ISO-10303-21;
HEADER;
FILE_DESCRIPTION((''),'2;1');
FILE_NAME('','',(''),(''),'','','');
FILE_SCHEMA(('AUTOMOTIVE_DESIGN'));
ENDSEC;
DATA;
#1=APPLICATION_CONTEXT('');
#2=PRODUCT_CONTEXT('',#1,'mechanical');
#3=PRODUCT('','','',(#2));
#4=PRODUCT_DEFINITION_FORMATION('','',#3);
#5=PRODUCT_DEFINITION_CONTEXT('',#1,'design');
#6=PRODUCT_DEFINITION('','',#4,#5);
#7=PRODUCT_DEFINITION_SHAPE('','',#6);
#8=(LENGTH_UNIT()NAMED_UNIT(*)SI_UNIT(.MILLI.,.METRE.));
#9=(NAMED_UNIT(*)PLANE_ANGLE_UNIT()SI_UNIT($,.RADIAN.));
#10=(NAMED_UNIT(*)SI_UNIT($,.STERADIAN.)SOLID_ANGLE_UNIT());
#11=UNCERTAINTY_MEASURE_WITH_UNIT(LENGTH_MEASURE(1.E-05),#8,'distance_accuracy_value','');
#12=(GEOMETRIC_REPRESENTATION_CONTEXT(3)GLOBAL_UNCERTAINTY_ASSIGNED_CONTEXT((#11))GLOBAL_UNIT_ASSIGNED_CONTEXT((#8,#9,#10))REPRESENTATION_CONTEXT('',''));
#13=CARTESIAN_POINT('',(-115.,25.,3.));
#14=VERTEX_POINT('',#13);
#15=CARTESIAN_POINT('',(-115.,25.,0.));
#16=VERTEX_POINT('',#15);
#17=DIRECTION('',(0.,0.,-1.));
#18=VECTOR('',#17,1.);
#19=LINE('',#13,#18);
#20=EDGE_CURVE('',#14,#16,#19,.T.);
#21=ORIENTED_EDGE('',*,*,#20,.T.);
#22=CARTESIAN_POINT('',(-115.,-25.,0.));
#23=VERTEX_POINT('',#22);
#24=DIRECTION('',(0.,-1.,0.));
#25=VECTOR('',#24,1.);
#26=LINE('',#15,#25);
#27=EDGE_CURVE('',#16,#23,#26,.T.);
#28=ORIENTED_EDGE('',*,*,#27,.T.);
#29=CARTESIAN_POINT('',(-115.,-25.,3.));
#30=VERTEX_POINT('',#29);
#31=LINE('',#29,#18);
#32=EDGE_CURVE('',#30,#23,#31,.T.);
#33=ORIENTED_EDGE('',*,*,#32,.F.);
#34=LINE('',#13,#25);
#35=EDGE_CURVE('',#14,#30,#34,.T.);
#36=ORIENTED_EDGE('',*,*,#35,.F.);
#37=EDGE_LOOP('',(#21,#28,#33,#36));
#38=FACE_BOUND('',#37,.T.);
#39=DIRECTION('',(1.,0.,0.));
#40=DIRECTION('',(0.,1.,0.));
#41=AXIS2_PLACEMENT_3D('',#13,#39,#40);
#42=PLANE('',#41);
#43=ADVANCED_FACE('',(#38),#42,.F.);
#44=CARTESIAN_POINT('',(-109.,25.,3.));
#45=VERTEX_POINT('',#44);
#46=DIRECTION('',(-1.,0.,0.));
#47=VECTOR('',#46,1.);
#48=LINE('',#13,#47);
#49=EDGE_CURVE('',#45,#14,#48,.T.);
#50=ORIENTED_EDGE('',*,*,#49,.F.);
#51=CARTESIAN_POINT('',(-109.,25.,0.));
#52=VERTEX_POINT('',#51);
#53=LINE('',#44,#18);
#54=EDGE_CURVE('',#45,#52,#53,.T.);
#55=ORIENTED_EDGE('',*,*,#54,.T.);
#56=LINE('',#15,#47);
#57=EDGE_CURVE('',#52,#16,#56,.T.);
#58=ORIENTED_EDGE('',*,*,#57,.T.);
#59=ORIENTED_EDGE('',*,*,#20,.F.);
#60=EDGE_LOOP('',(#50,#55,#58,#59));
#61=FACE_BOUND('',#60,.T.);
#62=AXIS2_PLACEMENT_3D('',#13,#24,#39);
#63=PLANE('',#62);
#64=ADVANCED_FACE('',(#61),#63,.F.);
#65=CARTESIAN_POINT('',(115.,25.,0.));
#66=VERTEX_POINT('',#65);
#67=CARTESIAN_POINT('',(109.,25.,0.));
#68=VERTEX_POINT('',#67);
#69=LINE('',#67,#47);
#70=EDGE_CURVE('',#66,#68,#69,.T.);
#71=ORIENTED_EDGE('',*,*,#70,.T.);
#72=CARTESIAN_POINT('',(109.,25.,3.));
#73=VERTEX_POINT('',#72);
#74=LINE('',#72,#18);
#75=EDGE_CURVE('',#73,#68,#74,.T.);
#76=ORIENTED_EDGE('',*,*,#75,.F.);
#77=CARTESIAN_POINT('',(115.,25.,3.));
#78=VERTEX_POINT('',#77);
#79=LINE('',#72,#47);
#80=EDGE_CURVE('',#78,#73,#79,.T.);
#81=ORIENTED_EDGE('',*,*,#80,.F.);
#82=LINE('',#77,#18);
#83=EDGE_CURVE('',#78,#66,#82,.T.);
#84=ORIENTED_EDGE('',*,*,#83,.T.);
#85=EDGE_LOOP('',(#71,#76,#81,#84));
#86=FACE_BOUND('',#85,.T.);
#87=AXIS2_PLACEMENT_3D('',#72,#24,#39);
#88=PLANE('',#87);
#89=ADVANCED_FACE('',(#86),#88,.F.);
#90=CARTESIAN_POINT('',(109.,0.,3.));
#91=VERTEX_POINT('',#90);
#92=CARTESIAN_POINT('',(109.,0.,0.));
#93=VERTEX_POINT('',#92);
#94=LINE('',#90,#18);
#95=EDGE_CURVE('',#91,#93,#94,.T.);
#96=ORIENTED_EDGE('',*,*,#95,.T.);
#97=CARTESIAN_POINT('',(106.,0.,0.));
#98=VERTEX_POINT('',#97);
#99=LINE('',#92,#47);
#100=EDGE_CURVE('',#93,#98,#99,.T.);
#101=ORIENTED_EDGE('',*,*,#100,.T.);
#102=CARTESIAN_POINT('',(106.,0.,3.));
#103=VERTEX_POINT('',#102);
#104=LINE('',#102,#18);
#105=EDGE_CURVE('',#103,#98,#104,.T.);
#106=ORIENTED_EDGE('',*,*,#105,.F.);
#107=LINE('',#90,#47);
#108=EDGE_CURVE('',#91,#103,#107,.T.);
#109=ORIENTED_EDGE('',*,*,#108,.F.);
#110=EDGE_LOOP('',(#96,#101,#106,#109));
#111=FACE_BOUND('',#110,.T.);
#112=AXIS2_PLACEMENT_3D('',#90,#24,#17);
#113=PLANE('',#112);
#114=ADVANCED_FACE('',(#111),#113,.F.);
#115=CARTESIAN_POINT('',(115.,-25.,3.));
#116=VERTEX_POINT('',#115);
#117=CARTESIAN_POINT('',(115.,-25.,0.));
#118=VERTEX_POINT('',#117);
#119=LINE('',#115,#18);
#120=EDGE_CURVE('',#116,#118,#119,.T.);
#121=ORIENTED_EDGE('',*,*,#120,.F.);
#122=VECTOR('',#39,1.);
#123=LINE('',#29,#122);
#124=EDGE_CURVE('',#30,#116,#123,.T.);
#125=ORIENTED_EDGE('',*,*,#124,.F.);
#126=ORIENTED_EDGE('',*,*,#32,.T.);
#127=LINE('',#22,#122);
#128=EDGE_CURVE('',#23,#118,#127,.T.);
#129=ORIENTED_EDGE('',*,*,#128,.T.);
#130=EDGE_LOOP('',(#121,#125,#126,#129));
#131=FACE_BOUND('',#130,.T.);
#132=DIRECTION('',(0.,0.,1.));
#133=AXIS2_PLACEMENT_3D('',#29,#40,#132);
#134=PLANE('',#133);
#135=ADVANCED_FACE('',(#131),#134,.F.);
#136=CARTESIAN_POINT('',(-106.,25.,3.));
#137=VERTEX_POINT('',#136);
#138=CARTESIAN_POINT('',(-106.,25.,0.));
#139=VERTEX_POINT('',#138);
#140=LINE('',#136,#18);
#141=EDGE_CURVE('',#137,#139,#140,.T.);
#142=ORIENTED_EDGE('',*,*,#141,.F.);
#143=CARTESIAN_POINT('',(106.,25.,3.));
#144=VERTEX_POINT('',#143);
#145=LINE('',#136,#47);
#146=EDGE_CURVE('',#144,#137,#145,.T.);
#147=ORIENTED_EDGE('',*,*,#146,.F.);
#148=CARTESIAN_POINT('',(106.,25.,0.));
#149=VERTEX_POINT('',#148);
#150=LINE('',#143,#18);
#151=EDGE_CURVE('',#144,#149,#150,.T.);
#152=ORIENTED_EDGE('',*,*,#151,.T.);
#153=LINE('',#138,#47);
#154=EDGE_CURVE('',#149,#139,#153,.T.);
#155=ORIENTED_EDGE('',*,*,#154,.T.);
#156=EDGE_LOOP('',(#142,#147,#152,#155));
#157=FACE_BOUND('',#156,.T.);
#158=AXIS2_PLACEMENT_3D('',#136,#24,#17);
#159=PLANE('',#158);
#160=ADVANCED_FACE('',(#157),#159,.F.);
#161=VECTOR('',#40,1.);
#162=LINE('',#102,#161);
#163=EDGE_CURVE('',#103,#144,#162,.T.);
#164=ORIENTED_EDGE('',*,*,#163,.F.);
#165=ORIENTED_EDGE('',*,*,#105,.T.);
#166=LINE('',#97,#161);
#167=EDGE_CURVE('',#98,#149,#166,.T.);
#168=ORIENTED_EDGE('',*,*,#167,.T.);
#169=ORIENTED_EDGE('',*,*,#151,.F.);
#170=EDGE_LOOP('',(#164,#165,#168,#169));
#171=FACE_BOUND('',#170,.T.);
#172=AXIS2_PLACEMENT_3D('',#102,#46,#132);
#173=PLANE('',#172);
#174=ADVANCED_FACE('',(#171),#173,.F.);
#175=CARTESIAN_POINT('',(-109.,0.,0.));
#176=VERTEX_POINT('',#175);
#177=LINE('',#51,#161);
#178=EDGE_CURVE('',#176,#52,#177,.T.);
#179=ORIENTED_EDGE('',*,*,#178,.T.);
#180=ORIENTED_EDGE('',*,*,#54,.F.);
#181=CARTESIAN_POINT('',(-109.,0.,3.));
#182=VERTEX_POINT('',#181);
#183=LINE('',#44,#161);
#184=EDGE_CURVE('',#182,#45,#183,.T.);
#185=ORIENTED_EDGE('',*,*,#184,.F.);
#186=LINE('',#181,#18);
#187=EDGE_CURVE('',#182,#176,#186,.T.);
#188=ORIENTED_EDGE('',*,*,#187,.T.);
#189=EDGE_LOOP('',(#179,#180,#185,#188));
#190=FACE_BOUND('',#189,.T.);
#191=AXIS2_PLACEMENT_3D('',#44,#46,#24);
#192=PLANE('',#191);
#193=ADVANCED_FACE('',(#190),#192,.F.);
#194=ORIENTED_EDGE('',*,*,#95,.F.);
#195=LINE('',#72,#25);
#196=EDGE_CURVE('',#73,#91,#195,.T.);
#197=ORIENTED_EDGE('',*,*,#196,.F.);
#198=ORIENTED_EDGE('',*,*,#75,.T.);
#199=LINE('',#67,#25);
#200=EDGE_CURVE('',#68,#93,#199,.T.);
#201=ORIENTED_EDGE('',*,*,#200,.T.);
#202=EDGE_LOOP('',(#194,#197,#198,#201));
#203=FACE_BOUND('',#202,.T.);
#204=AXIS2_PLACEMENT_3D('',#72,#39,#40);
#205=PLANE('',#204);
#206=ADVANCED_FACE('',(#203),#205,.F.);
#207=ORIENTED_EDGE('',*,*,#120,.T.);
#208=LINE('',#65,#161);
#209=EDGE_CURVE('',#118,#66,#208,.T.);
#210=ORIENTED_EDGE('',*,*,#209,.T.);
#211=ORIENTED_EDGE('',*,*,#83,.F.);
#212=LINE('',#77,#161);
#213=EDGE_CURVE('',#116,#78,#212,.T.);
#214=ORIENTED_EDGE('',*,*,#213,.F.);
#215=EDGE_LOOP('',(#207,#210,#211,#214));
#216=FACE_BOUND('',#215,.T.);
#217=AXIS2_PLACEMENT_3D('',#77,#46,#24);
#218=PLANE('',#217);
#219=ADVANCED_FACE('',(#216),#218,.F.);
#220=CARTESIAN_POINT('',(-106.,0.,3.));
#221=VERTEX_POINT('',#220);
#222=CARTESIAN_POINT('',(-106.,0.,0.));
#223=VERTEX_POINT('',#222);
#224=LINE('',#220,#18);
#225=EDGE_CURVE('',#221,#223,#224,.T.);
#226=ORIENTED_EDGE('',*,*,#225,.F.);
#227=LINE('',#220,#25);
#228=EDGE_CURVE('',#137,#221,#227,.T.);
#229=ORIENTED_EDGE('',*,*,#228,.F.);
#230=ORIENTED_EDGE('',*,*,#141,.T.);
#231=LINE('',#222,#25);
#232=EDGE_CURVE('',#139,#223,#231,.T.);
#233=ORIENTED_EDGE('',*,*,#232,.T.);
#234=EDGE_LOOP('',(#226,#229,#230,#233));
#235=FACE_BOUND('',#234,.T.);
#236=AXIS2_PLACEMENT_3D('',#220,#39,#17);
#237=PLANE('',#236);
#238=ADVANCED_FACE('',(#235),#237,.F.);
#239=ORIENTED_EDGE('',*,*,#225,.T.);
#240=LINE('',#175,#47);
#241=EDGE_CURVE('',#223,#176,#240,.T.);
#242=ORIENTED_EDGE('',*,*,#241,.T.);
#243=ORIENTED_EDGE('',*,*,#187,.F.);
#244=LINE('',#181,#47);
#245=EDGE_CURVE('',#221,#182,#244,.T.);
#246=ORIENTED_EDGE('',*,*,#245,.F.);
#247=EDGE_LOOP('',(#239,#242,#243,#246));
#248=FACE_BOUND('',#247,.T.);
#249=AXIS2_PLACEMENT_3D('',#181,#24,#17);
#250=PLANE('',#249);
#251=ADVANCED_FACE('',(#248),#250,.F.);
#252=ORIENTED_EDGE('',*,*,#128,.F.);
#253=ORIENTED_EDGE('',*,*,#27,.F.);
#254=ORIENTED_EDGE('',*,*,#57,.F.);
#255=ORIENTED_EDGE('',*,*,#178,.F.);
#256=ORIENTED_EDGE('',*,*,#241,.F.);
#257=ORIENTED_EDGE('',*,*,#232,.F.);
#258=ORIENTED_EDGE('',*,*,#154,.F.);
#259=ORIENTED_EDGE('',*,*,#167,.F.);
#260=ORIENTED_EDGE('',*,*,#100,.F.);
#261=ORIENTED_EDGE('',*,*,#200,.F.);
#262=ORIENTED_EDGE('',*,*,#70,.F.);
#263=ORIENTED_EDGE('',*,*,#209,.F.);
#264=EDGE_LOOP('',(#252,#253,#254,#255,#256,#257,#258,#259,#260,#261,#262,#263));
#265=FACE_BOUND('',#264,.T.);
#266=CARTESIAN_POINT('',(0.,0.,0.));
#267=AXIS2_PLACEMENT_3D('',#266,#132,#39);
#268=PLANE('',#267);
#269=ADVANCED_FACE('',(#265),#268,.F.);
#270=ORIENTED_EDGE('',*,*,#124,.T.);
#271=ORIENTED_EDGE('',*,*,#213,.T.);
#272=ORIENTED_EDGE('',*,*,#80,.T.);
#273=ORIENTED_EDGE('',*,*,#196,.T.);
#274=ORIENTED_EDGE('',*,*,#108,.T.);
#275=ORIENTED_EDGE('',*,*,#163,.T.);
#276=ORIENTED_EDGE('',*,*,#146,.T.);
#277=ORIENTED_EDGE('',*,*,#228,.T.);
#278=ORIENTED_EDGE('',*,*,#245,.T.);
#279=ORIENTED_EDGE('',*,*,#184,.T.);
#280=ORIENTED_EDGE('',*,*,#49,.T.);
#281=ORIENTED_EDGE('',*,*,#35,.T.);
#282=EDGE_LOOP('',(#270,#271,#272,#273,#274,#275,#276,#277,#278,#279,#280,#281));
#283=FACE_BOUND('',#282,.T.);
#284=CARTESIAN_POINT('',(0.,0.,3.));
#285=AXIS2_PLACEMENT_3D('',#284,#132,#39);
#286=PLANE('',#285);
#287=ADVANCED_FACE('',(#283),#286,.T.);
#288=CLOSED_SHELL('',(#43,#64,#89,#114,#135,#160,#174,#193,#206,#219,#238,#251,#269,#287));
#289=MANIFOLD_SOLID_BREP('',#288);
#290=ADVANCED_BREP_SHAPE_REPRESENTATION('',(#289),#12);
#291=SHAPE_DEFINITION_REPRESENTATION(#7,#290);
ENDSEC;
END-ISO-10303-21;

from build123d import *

# Parameters (mm, degrees)
BOSS_EXTRU_1_DEPTH = 3


with BuildPart() as part:
    # Esquisse1 → Boss.-Extru.1 (new body)
    with BuildSketch(Plane.XY):
        Polygon((-109, 25), (-109, 0), (-106, 0), (-106, 25), (106, 25), (106, 0), (109, 0), (109, 25), (115, 25), (115, -25), (-115, -25), (-115, 25), align=None)
    extrude(amount=BOSS_EXTRU_1_DEPTH)


solid = part.part
